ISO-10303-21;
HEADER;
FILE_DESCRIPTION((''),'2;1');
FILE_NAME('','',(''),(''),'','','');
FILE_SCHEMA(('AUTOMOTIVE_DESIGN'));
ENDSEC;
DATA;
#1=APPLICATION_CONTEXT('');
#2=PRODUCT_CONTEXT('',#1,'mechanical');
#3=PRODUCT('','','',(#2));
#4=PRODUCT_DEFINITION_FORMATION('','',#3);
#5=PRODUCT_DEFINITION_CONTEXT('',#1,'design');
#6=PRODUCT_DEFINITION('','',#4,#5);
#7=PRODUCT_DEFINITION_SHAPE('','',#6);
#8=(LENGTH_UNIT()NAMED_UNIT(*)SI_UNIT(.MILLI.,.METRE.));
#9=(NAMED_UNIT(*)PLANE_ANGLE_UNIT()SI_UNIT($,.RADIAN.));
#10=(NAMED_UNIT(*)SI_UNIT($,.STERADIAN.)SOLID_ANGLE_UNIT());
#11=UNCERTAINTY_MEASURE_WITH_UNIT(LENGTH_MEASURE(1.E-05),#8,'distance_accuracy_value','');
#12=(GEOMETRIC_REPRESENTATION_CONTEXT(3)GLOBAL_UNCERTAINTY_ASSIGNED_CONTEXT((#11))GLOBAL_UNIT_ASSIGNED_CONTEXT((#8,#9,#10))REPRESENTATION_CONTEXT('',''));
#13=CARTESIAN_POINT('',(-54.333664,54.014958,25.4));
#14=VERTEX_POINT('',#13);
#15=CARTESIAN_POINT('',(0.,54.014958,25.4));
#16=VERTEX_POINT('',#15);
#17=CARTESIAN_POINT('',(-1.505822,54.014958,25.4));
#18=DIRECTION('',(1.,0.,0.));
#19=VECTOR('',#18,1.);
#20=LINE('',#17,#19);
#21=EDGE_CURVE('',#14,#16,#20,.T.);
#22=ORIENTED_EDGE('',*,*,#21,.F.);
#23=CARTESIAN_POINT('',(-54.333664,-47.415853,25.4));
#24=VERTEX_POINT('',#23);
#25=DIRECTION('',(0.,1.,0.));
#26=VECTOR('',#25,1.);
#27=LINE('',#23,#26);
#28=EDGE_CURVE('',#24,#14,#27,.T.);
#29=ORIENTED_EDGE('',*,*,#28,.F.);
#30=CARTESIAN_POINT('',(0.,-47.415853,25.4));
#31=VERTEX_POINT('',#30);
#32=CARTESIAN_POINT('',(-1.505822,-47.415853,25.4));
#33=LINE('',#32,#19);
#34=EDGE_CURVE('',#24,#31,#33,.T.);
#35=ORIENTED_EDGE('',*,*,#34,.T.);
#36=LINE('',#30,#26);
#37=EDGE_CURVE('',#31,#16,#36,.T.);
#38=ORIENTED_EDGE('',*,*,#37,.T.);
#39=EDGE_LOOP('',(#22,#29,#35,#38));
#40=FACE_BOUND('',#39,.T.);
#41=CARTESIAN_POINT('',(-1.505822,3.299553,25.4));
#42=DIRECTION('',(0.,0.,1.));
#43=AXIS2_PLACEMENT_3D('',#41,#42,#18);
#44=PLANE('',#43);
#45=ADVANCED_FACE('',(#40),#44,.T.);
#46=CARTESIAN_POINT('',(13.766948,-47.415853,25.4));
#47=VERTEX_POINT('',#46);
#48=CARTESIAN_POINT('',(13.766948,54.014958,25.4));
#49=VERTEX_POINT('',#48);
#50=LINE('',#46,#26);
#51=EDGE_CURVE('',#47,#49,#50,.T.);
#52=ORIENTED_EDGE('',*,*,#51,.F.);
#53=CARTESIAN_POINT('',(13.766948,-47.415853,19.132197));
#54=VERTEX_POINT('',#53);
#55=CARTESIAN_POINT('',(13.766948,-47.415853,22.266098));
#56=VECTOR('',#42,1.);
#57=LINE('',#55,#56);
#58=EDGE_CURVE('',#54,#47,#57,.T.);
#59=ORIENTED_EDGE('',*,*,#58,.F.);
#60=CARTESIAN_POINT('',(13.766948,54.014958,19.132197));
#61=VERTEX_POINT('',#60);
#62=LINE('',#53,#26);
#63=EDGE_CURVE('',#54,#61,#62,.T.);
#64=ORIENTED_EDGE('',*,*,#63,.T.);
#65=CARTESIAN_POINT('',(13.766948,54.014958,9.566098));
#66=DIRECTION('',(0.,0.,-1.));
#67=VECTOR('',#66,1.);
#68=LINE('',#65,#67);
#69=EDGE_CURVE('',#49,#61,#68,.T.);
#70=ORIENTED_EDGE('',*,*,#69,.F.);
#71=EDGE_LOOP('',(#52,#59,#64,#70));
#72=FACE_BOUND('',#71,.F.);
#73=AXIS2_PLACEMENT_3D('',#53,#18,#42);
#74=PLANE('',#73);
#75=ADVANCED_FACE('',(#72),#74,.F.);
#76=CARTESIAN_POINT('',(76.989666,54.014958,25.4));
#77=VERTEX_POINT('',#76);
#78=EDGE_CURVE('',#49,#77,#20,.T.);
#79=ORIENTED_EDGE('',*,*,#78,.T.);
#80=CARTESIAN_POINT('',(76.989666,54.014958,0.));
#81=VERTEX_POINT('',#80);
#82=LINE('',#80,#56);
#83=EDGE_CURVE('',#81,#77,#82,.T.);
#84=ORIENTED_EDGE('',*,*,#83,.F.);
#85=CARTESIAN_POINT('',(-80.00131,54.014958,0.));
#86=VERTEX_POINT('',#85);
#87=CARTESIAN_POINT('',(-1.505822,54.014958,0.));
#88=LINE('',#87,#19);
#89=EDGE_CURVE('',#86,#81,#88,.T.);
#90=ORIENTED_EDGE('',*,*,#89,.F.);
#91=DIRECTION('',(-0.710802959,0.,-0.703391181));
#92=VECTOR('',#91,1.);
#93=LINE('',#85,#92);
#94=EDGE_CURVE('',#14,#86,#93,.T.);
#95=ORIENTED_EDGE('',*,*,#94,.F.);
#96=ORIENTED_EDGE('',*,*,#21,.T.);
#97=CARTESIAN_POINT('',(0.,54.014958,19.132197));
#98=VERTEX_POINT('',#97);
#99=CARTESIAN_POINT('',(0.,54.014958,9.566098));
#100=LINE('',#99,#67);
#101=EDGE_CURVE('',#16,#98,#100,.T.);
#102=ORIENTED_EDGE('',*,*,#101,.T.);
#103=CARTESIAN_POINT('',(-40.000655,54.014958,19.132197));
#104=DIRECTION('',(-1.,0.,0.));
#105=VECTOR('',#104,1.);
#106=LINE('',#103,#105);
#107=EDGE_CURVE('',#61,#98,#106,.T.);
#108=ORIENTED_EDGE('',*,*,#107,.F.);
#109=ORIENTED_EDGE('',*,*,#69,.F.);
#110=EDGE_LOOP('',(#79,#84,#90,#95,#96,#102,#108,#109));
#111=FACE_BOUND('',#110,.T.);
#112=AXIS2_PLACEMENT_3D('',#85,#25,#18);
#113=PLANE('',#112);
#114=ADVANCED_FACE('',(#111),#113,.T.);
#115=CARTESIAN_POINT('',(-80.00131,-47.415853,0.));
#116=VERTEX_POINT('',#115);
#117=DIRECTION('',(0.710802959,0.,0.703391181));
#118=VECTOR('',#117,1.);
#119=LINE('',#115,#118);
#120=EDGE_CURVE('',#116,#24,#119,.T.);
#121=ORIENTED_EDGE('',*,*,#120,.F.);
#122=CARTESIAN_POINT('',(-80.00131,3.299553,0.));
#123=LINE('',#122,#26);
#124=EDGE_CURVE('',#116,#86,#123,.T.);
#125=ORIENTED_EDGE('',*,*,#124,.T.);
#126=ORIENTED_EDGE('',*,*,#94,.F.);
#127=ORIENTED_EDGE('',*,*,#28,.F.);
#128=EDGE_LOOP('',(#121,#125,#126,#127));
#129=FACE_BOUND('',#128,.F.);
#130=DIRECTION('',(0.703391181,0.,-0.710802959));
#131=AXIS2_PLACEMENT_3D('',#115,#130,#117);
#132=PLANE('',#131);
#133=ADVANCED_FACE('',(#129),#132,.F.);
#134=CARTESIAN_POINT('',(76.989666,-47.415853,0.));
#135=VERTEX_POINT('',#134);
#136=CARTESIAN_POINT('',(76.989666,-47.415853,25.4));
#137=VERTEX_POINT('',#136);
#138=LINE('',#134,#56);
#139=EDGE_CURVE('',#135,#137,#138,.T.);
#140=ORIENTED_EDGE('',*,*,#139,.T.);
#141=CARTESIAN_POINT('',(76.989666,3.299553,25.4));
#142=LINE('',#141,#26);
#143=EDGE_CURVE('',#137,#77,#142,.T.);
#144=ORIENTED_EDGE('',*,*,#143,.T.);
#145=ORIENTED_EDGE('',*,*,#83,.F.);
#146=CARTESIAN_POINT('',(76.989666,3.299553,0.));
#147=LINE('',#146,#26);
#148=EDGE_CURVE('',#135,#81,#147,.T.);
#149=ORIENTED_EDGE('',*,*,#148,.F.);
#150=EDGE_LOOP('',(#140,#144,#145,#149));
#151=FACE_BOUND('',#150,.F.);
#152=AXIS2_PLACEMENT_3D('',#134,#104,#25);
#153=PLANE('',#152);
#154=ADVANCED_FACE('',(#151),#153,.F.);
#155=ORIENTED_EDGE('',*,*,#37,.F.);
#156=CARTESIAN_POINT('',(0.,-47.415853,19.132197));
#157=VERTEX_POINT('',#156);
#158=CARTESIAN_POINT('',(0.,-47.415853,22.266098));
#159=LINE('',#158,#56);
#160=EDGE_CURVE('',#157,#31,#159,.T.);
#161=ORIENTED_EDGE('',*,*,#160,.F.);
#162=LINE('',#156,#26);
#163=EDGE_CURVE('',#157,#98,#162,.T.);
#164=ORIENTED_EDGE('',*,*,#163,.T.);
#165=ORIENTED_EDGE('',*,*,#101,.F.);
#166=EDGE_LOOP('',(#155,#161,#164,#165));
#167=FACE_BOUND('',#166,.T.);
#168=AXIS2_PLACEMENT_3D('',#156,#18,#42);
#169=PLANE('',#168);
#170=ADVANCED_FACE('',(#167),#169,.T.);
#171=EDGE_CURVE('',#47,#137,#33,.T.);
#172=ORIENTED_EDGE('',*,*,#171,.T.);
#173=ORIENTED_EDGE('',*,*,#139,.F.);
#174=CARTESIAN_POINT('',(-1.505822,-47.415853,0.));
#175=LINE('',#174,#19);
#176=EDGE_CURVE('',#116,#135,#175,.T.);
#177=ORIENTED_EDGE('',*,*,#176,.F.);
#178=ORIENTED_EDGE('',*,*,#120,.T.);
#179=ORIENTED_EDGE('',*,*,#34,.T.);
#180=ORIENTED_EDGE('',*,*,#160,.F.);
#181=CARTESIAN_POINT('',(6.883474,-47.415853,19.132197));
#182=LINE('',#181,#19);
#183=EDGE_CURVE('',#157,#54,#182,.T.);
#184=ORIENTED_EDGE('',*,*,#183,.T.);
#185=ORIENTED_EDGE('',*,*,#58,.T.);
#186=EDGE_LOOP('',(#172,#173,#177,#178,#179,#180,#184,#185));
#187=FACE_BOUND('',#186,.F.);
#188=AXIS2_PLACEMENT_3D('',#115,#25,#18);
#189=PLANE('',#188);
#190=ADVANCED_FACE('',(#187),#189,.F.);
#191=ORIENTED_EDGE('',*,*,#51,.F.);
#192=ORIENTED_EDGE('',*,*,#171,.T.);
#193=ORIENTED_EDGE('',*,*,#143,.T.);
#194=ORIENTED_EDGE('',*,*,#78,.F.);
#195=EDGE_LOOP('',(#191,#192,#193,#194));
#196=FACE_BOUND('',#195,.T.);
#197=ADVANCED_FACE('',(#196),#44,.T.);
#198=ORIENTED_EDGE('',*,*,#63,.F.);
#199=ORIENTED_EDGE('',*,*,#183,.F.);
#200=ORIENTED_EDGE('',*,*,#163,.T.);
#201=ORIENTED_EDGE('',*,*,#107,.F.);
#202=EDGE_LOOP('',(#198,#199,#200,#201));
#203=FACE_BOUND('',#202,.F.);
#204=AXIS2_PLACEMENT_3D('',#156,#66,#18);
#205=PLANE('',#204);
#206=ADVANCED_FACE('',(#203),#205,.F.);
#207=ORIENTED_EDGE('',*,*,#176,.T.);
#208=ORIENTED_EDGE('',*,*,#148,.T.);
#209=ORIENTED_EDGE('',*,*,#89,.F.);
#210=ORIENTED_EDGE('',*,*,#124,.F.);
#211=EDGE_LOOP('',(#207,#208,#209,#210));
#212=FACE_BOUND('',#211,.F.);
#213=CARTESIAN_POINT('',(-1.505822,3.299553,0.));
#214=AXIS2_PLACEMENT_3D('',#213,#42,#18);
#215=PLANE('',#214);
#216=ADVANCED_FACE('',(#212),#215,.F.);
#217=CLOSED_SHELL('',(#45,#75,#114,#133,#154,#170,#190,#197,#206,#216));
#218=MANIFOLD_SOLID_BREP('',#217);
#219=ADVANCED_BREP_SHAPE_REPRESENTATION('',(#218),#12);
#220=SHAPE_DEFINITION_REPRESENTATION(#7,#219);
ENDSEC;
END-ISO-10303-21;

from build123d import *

# Parameters (mm, degrees)
F0_W     = 156.9909751415
F0_H     = 101.4308109879
F1_DEPTH = 25.4
F3_DEPTH = 127.8210822493
F4_W     = 13.7669481337
F4_H     = 6.2678030968
F5_DEPTH = 157.0622399449


with BuildPart() as f1:
    # F0 (on Top) → F1 (new body)
    with BuildSketch(Plane.XY):
        with Locations((-1.5058219433, 3.2995529473)):
            Rectangle(F0_W, F0_H)
    extrude(amount=F1_DEPTH)

    # F2 (on face) → F3 (cut)
    with BuildSketch(Plane.XZ.offset(47.4158525467)):
        Polygon((-80.001309514, 25.4), (-80.001309514, 0), (-54.3336644769, 25.4), align=None)
    extrude(amount=-F3_DEPTH, mode=Mode.SUBTRACT)

    # F4 (on face) → F5 (cut)
    with BuildSketch(Plane.XZ.offset(47.4158525467)):
        with Locations((6.8834740669, 22.2660984516)):
            Rectangle(F4_W, F4_H)
    extrude(amount=-F5_DEPTH, mode=Mode.SUBTRACT)


solid = f1.part
